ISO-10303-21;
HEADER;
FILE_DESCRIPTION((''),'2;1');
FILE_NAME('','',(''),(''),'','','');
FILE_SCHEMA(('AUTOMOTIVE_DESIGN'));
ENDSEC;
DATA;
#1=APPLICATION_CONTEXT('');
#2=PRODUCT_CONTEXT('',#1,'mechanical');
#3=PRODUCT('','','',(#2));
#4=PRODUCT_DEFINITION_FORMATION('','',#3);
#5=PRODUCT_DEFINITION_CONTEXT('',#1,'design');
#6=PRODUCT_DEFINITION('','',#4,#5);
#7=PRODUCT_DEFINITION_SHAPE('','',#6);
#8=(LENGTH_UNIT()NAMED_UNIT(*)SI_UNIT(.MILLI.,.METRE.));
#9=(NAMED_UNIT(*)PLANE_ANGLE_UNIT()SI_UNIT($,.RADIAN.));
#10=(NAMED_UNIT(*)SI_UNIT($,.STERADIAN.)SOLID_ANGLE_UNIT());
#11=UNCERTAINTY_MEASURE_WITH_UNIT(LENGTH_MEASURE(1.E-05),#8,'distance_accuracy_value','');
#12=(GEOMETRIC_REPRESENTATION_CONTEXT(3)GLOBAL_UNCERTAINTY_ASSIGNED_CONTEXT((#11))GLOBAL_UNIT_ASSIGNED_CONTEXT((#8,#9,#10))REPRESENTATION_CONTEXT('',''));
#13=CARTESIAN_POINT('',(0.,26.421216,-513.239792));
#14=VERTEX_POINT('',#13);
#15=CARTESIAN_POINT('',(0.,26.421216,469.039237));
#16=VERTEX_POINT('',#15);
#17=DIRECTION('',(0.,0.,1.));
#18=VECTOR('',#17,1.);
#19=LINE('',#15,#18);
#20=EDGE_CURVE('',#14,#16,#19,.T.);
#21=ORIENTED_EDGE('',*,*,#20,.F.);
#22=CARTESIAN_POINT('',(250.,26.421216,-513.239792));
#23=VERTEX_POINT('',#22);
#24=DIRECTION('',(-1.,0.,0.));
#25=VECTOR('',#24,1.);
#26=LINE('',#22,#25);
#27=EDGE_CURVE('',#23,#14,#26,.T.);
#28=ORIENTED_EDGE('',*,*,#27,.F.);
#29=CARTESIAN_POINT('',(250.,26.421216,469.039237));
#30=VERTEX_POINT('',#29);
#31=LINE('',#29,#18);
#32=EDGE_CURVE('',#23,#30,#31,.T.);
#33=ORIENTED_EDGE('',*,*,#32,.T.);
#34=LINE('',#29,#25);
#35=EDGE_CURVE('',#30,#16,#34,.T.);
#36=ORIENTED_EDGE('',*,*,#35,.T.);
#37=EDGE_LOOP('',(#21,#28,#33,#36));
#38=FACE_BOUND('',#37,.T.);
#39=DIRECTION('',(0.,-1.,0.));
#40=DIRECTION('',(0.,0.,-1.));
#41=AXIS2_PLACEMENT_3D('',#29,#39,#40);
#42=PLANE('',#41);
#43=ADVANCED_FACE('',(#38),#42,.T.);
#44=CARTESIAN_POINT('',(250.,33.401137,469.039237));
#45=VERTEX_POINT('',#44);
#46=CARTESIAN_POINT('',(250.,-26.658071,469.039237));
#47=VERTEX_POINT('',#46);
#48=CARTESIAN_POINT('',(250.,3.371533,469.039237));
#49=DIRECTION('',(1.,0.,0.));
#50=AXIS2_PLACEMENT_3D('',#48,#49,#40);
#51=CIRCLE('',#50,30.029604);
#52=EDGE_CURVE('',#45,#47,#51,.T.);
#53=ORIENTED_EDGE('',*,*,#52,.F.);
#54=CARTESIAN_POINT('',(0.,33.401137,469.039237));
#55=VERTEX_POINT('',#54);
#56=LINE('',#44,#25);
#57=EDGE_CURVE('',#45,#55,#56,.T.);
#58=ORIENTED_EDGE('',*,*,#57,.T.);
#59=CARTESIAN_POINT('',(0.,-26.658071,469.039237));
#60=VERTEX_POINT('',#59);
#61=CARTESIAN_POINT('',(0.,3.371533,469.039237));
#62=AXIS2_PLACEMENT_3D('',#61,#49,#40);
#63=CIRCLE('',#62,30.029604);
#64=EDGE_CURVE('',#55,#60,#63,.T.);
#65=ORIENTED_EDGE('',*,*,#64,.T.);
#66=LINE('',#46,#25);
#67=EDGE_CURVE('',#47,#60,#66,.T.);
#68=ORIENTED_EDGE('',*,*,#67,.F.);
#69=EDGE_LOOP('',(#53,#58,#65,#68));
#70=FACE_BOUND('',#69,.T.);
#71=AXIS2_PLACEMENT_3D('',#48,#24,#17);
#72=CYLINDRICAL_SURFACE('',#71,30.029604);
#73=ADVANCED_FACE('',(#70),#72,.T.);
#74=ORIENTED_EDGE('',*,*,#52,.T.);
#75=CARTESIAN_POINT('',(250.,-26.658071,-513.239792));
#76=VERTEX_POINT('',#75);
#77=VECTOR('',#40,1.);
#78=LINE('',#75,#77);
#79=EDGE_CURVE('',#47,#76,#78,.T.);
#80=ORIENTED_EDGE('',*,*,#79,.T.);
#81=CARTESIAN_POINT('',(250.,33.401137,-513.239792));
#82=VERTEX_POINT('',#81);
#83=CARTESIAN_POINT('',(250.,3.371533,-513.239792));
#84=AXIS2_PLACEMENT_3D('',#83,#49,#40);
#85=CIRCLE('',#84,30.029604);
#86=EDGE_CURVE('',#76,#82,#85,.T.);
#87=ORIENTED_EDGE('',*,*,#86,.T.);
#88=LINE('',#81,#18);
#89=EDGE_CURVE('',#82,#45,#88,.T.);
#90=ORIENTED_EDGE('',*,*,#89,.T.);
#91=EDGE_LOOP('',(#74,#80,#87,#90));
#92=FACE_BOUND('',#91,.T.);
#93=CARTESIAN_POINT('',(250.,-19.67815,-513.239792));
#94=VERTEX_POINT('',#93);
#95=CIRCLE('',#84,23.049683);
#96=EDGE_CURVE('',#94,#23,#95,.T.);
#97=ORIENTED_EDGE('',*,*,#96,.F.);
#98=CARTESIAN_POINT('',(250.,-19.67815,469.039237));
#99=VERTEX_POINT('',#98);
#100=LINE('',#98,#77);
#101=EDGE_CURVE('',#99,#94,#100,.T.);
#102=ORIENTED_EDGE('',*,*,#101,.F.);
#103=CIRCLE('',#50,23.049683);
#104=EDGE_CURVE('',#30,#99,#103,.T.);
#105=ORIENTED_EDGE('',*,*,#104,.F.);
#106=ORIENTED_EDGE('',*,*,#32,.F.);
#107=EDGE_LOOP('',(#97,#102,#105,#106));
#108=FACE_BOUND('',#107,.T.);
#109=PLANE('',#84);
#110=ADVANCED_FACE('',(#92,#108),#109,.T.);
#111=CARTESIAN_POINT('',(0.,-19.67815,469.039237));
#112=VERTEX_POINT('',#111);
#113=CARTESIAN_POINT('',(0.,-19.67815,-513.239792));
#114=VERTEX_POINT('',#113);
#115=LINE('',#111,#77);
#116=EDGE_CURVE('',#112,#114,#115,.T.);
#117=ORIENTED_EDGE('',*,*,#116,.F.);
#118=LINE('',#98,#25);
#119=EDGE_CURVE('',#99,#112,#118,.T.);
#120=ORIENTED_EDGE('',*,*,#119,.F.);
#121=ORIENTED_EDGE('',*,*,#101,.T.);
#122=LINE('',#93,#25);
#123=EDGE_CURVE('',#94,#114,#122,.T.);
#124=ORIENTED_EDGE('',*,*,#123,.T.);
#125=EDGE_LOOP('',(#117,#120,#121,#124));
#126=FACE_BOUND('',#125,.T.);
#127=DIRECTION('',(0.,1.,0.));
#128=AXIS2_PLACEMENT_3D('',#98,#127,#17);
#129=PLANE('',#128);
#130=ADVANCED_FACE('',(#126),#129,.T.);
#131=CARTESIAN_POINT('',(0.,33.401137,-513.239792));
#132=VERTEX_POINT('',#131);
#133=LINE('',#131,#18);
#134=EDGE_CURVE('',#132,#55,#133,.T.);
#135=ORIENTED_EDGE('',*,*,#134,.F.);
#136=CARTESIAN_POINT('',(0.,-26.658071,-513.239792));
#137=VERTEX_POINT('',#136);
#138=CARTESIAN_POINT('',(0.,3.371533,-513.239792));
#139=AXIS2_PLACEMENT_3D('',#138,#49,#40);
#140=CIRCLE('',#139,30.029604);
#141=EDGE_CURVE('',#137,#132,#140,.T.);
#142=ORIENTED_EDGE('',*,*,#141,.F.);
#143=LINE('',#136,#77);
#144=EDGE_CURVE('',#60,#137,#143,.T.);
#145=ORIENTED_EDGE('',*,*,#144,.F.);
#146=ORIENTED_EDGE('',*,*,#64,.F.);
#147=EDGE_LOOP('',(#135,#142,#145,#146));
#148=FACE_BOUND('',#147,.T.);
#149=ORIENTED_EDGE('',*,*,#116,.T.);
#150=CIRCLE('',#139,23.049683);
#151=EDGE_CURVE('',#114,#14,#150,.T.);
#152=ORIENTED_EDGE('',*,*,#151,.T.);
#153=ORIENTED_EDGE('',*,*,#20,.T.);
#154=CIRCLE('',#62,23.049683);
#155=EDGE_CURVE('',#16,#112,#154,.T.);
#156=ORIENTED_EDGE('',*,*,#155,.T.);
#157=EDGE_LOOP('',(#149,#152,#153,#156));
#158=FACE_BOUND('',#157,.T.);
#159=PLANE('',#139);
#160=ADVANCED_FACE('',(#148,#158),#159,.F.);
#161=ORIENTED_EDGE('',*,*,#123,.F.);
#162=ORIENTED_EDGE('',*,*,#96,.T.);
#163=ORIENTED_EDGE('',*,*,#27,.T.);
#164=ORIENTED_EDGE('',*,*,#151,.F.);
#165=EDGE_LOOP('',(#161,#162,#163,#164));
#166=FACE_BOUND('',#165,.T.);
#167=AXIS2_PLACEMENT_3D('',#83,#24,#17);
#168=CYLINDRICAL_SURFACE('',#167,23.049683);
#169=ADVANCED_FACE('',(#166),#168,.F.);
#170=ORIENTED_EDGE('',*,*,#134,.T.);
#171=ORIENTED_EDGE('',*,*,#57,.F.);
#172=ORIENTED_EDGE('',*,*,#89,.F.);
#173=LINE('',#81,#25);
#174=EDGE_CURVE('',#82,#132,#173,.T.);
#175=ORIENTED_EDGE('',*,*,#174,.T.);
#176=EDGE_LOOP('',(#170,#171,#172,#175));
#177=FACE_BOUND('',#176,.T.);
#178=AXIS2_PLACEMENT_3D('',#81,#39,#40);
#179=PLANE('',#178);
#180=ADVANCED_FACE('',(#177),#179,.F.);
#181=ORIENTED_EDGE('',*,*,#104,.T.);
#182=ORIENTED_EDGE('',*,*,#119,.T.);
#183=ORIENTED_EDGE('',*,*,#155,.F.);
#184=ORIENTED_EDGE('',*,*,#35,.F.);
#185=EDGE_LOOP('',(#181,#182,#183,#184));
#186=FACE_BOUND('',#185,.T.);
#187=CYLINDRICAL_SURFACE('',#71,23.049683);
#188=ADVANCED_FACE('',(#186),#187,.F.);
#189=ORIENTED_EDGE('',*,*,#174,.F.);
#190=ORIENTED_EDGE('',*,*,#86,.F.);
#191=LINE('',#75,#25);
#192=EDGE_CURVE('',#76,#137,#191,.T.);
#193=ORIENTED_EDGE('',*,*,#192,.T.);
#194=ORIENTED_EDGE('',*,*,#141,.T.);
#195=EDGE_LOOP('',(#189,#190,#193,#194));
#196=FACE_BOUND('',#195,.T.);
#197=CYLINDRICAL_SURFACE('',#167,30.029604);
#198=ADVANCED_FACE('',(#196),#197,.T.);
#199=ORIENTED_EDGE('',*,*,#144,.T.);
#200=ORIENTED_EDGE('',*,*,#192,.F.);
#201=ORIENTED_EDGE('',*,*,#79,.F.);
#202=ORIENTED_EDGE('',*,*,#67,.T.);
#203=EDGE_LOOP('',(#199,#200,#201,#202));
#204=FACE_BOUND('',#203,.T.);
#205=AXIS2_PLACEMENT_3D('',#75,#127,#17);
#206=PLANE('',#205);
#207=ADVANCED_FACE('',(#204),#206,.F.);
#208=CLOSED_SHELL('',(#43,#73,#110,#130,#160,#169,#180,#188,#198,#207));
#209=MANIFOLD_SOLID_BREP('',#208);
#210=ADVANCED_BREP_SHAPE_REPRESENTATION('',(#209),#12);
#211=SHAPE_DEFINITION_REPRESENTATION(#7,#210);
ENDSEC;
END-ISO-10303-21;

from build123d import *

# Parameters (mm, degrees)
BOSS_EXTRUDE1_DEPTH = 250


with BuildPart() as part:
    # Sketch1 → Boss-Extrude1 (new body)
    with BuildSketch(Plane(origin=(0, 0, 0), x_dir=(0, 0, -1), z_dir=(1, 0, 0))):
        with BuildLine():
            Line((513.239792121, -26.658071436), (-469.039237008, -26.658071436))
            ThreePointArc((-469.039237008, -26.658071436), (-499.068841475, 3.371533031), (-469.039237008, 33.401137498))
            Line((-469.039237008, 33.401137498), (513.239792121, 33.401137498))
            ThreePointArc((513.239792121, 33.401137498), (543.269396588, 3.371533031), (513.239792121, -26.658071436))
        make_face()
        with BuildLine():
            Line((-469.039237008, 26.421216111), (513.239792121, 26.421216111))
            ThreePointArc((513.239792121, 26.421216111), (536.2894752, 3.371533031), (513.239792121, -19.678150049))
            Line((513.239792121, -19.678150049), (-469.039237008, -19.678150049))
            ThreePointArc((-469.039237008, -19.678150049), (-492.088920087, 3.371533031), (-469.039237008, 26.421216111))
        make_face(mode=Mode.SUBTRACT)
    extrude(amount=BOSS_EXTRUDE1_DEPTH)


solid = part.part
